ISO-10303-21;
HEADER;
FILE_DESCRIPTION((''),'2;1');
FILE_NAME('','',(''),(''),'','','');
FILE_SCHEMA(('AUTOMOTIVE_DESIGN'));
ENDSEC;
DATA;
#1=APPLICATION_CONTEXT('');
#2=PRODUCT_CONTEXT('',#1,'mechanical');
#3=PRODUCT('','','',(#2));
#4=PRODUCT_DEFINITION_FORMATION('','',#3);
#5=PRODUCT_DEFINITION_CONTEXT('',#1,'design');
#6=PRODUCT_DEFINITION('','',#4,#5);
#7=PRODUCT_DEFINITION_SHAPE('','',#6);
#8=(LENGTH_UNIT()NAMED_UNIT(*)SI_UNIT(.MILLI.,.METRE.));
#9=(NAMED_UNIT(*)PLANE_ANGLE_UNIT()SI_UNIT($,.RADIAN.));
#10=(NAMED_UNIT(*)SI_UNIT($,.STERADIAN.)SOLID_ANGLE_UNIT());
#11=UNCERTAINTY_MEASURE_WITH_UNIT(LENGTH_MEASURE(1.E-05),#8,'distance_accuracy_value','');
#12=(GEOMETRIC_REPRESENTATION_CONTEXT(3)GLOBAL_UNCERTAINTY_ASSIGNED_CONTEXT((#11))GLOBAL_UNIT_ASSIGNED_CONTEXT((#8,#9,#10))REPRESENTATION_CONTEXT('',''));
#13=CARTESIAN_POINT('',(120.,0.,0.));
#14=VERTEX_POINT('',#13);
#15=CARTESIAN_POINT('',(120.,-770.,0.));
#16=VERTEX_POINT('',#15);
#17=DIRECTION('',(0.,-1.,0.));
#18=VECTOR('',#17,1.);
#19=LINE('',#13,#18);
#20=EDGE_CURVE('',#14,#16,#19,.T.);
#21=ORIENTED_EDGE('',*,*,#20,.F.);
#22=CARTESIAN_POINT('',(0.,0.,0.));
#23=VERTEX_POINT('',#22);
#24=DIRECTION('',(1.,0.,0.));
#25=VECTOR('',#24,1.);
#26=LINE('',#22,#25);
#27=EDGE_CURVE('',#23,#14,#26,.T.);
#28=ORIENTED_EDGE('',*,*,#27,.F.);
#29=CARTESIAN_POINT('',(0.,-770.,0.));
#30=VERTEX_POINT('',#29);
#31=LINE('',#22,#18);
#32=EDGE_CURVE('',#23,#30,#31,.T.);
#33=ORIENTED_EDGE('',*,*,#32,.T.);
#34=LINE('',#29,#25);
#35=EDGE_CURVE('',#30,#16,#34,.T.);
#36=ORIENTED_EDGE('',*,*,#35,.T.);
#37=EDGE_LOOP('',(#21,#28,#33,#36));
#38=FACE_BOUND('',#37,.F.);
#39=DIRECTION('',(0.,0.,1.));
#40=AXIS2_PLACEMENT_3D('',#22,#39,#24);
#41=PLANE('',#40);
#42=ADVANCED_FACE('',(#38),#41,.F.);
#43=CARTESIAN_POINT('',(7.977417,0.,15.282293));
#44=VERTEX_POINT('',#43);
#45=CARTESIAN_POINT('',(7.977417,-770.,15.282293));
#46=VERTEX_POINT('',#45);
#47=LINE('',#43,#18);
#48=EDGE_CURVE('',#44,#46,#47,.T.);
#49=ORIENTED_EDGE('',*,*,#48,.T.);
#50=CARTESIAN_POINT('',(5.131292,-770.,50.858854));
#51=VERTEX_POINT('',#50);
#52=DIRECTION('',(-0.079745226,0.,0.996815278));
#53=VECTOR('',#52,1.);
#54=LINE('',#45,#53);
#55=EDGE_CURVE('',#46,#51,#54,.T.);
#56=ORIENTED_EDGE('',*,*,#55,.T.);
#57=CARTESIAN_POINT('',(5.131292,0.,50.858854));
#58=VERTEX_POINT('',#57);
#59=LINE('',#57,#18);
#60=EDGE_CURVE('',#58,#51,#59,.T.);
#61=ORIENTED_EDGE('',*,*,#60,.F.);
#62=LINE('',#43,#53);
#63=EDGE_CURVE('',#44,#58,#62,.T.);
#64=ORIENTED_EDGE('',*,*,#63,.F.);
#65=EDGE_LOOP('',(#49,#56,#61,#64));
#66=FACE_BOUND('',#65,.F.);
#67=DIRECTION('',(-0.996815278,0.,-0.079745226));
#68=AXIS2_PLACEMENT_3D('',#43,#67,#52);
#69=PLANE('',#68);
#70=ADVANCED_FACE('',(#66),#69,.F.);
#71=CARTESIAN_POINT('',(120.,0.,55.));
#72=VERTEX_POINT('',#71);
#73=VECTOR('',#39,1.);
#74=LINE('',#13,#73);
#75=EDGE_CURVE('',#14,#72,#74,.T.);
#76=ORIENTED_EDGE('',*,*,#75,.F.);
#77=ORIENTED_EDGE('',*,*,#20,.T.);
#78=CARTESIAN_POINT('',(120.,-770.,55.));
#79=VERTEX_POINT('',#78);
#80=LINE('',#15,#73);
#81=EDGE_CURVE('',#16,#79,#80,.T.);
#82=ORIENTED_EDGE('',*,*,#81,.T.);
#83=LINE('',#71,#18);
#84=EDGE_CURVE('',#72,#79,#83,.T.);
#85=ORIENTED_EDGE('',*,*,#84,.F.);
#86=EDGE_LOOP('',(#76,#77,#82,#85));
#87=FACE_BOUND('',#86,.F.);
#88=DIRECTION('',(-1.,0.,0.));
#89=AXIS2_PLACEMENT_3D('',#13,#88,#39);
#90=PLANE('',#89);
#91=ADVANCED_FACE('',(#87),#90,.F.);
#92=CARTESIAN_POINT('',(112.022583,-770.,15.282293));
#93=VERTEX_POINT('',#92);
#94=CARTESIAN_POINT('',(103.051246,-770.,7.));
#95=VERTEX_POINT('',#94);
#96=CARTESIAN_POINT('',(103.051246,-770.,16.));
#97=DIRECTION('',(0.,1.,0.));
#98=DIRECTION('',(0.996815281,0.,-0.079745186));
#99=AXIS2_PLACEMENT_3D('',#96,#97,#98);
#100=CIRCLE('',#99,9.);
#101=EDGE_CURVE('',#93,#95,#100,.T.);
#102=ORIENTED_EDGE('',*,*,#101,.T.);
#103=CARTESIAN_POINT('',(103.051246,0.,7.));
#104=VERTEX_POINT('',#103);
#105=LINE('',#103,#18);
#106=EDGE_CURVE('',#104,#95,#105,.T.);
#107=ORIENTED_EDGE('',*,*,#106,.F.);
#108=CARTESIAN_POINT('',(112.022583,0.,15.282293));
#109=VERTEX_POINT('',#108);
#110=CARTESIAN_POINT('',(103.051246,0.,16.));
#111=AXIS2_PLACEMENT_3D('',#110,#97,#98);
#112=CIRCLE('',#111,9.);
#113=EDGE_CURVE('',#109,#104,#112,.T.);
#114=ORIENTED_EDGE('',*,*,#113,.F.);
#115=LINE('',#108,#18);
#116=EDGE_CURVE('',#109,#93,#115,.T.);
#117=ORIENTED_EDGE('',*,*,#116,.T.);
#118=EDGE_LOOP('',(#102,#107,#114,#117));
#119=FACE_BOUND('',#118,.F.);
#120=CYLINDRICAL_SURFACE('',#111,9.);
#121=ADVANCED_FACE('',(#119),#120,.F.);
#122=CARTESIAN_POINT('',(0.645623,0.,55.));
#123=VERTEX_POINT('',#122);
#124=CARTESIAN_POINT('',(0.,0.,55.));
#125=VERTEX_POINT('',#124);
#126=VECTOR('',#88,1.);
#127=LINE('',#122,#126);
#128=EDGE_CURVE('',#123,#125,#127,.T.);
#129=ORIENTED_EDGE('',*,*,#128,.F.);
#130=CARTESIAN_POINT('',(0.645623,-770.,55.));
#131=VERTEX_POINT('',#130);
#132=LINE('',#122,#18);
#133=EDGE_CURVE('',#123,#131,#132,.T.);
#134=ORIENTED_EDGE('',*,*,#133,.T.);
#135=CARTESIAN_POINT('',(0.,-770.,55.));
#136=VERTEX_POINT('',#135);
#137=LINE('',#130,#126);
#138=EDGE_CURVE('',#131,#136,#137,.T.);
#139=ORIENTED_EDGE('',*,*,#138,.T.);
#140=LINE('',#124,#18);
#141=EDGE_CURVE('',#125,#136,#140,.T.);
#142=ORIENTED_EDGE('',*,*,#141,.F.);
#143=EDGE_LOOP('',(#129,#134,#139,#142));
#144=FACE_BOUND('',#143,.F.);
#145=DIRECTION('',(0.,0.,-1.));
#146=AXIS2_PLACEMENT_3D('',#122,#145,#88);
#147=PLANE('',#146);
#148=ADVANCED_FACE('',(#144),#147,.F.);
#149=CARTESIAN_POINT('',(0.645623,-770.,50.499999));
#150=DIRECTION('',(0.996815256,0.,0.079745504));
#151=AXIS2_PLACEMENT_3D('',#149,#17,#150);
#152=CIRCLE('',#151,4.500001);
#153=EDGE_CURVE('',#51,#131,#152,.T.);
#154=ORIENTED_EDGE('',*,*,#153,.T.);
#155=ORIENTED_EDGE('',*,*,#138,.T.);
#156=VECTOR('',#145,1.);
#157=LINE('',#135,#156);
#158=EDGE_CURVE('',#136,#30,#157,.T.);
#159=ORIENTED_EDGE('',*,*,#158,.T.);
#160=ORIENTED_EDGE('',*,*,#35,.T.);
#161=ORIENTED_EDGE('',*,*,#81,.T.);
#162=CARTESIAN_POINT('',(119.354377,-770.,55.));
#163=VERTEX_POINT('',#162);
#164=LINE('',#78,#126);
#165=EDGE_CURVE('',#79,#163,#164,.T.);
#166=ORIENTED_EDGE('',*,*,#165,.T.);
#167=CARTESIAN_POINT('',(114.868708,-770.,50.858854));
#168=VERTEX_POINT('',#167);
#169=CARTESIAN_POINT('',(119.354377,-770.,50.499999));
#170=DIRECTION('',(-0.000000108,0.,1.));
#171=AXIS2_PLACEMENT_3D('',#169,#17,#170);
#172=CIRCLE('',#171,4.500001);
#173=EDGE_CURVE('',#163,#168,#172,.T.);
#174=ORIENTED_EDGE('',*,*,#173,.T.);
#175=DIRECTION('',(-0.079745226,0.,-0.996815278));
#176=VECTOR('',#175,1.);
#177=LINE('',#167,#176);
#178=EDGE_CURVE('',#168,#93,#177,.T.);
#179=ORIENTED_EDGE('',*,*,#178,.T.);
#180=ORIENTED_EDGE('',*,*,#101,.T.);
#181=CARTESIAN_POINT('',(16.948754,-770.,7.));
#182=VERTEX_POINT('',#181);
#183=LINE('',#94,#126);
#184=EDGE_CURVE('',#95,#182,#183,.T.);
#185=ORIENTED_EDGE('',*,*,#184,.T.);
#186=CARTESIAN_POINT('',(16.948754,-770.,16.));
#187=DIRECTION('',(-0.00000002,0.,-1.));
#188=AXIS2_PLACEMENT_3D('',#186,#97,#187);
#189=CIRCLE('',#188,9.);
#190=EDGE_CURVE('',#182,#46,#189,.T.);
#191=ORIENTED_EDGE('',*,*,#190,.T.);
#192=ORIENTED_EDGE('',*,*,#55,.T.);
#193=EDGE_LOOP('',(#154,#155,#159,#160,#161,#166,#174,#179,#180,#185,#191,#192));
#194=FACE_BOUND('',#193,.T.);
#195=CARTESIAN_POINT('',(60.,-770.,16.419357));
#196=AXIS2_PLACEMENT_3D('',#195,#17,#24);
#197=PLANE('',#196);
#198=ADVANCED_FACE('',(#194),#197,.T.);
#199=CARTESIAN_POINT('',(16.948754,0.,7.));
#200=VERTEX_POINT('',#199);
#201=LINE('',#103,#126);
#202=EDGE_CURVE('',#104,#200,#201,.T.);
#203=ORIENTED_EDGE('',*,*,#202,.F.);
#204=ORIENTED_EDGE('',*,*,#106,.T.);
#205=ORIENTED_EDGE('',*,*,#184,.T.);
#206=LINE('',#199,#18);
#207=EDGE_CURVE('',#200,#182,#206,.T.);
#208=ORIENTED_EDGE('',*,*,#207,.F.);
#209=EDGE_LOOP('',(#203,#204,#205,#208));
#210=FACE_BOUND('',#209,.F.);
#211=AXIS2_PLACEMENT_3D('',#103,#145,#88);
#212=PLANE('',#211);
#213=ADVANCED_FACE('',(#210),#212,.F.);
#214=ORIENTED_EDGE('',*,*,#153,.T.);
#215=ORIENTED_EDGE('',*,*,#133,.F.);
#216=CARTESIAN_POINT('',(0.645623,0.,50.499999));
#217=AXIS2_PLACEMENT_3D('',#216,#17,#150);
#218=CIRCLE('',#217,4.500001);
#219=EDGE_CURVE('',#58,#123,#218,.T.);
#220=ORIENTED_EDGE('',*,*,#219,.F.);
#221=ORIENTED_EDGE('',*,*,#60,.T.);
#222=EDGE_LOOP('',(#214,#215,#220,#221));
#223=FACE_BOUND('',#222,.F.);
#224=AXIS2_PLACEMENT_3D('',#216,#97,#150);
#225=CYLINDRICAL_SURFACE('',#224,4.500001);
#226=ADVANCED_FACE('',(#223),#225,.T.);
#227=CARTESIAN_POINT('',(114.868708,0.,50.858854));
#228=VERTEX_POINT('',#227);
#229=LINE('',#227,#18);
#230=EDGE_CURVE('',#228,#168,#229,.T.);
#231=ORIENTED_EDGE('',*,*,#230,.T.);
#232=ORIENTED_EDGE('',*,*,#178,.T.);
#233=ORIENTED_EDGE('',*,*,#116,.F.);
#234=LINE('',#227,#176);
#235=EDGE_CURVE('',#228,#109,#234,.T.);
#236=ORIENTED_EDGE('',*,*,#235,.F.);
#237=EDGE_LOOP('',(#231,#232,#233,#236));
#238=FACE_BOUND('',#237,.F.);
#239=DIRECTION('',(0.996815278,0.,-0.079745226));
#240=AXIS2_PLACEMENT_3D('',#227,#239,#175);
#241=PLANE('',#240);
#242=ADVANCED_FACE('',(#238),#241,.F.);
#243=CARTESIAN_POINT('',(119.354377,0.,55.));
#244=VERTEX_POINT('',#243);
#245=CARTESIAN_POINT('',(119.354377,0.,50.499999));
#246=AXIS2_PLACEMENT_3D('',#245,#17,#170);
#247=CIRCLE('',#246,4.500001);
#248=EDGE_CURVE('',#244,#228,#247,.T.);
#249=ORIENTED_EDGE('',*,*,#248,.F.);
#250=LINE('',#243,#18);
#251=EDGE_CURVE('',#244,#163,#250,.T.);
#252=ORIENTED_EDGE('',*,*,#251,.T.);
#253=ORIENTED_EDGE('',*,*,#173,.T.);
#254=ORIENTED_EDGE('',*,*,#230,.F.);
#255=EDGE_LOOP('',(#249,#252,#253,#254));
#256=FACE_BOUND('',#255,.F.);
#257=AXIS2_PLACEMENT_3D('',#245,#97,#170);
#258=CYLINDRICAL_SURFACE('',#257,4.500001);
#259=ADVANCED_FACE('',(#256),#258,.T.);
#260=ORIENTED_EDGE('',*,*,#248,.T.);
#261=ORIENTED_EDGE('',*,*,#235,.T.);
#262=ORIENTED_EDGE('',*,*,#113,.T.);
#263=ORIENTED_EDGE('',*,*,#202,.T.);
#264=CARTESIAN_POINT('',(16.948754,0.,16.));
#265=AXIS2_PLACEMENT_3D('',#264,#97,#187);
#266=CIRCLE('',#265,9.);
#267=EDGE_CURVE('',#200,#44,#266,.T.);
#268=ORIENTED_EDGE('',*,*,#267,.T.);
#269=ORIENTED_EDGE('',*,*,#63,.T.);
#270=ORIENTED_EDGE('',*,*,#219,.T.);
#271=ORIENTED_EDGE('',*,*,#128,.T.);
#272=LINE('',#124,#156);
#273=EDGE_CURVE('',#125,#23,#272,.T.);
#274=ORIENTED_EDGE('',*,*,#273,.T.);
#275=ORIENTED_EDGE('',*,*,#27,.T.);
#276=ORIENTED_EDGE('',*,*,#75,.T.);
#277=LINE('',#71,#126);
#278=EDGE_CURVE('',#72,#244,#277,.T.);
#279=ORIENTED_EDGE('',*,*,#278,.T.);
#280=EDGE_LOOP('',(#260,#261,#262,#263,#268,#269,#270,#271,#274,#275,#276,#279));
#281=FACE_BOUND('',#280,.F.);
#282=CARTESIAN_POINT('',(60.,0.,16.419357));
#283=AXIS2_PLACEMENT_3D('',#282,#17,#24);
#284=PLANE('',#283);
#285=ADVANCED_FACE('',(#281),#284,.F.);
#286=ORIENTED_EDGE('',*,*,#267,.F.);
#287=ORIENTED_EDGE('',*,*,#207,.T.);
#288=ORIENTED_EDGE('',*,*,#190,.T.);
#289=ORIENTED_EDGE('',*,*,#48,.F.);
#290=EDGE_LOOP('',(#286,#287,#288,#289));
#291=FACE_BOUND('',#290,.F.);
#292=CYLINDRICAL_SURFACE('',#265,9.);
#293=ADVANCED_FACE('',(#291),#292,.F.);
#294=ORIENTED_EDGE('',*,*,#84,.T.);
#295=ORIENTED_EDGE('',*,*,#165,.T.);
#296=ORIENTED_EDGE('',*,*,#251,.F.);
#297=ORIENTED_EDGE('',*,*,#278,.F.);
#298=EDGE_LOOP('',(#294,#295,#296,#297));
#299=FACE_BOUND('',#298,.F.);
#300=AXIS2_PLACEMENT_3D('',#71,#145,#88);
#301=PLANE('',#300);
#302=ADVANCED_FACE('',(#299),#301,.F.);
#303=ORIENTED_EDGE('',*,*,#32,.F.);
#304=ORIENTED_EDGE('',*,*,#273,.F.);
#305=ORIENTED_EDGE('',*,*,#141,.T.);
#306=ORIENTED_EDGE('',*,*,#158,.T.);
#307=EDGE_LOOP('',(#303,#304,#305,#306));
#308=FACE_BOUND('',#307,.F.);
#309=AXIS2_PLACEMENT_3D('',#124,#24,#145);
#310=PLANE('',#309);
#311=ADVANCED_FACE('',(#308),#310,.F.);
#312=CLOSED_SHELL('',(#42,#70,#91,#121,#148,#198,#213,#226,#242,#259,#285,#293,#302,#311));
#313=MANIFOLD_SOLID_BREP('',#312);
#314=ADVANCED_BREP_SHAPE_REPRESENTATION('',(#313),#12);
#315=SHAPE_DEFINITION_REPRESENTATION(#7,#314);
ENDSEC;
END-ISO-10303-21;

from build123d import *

# Parameters (mm, degrees)
F1_DEPTH = 770


with BuildPart() as f1:
    # F0 (on Front) → F1 (new body)
    with BuildSketch(Plane.XZ):
        with BuildLine():
            Line((0.645623, 55), (0, 55))
            Line((0, 55), (0, 0))
            Line((0, 0), (120, 0))
            Line((120, 0), (120, 55))
            Line((120, 55), (119.354377, 55))
            ThreePointArc((119.354377, 55), (116.301906, 53.806421), (114.868708, 50.858854))
            Line((114.868708, 50.858854), (112.022583, 15.282293))
            ThreePointArc((112.022583, 15.282293), (109.156188, 9.387158), (103.051246, 7))
            Line((103.051246, 7), (16.948754, 7))
            ThreePointArc((16.948754, 7), (10.843812, 9.387158), (7.977417, 15.282293))
            Line((7.977417, 15.282293), (5.131292, 50.858854))
            ThreePointArc((5.131292, 50.858854), (3.698094, 53.806421), (0.645623, 55))
        make_face()
    extrude(amount=F1_DEPTH)


solid = f1.part
